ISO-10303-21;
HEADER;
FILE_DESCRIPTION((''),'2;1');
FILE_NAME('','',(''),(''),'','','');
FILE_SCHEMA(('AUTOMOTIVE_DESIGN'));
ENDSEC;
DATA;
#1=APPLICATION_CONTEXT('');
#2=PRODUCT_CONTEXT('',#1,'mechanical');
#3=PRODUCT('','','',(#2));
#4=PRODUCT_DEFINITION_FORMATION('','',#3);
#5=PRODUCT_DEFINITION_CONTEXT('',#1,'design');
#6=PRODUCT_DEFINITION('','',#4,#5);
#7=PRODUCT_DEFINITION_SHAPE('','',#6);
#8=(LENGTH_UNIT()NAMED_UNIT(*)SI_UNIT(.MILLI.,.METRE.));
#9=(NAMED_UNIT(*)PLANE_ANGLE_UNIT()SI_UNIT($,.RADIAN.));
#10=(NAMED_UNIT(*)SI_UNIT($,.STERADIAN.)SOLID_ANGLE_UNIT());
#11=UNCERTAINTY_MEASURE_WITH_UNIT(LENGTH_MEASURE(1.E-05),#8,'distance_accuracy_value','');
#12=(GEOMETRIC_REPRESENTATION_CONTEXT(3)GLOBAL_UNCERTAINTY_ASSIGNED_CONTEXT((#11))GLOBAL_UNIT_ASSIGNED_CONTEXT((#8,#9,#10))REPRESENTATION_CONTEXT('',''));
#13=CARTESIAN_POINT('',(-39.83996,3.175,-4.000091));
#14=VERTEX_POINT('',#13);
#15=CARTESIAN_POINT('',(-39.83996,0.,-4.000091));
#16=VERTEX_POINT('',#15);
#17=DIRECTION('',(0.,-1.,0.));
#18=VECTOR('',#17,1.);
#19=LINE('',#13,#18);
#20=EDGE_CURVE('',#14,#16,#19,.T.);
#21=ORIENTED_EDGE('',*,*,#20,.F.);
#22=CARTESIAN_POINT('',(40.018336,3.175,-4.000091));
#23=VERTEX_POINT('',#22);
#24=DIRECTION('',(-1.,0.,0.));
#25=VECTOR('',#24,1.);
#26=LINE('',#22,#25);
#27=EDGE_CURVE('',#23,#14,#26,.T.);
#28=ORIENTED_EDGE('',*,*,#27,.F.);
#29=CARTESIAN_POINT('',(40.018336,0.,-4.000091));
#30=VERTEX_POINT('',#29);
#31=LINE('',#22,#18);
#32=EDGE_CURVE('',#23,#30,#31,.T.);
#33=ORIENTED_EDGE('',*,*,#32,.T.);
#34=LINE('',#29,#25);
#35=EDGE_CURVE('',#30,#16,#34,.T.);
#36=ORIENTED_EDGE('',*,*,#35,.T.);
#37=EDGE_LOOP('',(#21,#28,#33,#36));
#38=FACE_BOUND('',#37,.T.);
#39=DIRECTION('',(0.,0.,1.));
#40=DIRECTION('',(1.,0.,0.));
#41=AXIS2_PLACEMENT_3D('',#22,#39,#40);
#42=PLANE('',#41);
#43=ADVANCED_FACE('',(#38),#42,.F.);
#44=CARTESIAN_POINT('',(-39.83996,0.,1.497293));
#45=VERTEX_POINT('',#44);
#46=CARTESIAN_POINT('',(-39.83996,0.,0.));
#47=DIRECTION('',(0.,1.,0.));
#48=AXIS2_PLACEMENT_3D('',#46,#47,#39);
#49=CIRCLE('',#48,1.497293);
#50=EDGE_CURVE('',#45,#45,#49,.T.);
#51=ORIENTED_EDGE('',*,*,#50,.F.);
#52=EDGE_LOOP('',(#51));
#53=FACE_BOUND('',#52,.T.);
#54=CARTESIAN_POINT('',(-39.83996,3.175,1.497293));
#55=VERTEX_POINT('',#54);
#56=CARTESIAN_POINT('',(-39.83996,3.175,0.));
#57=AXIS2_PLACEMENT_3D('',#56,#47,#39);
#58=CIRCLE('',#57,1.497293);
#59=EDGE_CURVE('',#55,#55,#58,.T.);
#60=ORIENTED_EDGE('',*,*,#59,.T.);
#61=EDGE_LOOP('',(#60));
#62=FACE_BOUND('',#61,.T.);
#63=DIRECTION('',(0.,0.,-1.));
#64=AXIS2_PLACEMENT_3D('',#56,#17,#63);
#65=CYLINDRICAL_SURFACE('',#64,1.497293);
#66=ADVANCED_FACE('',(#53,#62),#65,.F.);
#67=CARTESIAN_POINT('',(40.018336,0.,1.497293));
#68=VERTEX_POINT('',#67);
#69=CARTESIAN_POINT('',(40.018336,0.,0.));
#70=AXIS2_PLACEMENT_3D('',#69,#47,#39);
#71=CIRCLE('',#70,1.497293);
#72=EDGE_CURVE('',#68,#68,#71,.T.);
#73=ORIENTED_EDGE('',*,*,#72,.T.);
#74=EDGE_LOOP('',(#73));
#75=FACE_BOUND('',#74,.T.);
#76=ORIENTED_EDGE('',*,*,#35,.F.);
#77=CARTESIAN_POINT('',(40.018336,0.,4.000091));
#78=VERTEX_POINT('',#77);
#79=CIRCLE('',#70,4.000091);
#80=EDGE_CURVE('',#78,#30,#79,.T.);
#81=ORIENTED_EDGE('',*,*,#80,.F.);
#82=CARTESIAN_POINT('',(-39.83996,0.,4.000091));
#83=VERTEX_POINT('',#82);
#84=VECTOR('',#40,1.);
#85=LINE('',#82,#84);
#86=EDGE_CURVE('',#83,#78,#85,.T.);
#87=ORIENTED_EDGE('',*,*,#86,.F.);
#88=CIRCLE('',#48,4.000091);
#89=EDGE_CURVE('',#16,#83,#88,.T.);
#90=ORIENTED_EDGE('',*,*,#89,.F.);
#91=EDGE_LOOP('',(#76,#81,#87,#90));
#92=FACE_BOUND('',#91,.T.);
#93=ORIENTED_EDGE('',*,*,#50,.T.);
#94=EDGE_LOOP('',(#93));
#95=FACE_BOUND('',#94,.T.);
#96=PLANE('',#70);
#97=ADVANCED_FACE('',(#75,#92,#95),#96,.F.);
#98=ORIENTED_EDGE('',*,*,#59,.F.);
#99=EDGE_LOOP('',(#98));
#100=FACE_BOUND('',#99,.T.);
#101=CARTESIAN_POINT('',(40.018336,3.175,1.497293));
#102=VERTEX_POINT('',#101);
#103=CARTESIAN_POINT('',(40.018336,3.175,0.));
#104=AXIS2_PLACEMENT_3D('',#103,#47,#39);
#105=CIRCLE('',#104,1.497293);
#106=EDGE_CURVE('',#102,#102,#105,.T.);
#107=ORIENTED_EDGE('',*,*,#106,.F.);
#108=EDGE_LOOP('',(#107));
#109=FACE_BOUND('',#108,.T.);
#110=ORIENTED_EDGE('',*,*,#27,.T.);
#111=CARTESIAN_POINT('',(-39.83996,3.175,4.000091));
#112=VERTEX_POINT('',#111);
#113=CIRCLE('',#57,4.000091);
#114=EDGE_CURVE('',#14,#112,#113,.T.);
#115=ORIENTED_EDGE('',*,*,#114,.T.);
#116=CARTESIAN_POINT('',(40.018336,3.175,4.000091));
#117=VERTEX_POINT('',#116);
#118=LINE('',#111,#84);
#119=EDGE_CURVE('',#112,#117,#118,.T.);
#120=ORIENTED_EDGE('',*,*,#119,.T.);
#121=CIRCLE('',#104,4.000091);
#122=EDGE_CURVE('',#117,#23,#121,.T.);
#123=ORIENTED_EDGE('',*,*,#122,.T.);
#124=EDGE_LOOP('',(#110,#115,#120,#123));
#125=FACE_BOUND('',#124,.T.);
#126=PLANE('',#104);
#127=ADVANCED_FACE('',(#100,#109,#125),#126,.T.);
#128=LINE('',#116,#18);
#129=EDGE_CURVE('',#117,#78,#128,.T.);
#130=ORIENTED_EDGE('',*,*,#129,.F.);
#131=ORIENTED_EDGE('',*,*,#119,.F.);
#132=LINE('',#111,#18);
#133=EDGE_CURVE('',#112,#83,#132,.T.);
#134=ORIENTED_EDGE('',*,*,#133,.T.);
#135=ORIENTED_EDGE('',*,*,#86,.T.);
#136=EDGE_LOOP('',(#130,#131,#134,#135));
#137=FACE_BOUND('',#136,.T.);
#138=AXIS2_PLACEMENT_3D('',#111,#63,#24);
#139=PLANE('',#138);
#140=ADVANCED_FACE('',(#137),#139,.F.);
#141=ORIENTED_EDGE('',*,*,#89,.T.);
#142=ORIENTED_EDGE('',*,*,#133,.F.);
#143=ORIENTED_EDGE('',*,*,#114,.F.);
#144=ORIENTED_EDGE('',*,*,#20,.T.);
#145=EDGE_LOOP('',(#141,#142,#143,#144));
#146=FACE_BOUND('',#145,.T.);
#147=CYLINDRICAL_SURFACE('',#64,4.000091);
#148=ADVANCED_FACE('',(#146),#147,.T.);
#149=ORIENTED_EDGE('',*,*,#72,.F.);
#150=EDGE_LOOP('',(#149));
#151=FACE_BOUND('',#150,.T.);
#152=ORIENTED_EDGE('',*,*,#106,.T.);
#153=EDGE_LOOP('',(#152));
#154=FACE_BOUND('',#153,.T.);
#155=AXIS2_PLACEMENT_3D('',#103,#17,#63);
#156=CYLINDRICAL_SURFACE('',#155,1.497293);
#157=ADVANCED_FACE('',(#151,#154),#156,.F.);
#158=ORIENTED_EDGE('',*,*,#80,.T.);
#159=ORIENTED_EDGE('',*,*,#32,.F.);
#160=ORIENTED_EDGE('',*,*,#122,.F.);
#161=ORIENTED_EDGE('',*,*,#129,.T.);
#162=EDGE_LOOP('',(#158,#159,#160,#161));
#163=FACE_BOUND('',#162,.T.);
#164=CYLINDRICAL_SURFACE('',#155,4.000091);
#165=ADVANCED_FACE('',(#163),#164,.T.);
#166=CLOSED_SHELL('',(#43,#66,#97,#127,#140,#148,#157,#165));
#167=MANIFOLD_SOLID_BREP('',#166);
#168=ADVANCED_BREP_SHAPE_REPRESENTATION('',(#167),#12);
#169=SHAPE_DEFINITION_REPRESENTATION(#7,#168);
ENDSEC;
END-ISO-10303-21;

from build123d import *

# Parameters (mm, degrees)
SKETCH1_R           = 1.497293459
BOSS_EXTRUDE1_DEPTH = 3.175


with BuildPart() as part:
    # Sketch1 → Boss-Extrude1 (new body)
    with BuildSketch(Plane(origin=(0, 0, 0), x_dir=(1, 0, 0), z_dir=(0, 1, 0))):
        with BuildLine():
            Line((40.018335965, 4.000091093), (-39.839960243, 4.000091093))
            ThreePointArc((-39.839960243, 4.000091093), (-43.840051334, 2e-09), (-39.839960243, -4.000091089))
            Line((-39.839960243, -4.000091089), (40.018335965, -4.000091089))
            ThreePointArc((40.018335965, -4.000091089), (44.018427056, 2e-09), (40.018335965, 4.000091093))
        make_face()
        with Locations(Location((-39.839960243, 2e-09, 0), (0, 0, 270))):
            Circle(SKETCH1_R, mode=Mode.SUBTRACT)
        with Locations(Location((40.018335965, 2e-09, 0), (0, 0, 270))):
            Circle(SKETCH1_R, mode=Mode.SUBTRACT)
    extrude(amount=BOSS_EXTRUDE1_DEPTH)


solid = part.part
